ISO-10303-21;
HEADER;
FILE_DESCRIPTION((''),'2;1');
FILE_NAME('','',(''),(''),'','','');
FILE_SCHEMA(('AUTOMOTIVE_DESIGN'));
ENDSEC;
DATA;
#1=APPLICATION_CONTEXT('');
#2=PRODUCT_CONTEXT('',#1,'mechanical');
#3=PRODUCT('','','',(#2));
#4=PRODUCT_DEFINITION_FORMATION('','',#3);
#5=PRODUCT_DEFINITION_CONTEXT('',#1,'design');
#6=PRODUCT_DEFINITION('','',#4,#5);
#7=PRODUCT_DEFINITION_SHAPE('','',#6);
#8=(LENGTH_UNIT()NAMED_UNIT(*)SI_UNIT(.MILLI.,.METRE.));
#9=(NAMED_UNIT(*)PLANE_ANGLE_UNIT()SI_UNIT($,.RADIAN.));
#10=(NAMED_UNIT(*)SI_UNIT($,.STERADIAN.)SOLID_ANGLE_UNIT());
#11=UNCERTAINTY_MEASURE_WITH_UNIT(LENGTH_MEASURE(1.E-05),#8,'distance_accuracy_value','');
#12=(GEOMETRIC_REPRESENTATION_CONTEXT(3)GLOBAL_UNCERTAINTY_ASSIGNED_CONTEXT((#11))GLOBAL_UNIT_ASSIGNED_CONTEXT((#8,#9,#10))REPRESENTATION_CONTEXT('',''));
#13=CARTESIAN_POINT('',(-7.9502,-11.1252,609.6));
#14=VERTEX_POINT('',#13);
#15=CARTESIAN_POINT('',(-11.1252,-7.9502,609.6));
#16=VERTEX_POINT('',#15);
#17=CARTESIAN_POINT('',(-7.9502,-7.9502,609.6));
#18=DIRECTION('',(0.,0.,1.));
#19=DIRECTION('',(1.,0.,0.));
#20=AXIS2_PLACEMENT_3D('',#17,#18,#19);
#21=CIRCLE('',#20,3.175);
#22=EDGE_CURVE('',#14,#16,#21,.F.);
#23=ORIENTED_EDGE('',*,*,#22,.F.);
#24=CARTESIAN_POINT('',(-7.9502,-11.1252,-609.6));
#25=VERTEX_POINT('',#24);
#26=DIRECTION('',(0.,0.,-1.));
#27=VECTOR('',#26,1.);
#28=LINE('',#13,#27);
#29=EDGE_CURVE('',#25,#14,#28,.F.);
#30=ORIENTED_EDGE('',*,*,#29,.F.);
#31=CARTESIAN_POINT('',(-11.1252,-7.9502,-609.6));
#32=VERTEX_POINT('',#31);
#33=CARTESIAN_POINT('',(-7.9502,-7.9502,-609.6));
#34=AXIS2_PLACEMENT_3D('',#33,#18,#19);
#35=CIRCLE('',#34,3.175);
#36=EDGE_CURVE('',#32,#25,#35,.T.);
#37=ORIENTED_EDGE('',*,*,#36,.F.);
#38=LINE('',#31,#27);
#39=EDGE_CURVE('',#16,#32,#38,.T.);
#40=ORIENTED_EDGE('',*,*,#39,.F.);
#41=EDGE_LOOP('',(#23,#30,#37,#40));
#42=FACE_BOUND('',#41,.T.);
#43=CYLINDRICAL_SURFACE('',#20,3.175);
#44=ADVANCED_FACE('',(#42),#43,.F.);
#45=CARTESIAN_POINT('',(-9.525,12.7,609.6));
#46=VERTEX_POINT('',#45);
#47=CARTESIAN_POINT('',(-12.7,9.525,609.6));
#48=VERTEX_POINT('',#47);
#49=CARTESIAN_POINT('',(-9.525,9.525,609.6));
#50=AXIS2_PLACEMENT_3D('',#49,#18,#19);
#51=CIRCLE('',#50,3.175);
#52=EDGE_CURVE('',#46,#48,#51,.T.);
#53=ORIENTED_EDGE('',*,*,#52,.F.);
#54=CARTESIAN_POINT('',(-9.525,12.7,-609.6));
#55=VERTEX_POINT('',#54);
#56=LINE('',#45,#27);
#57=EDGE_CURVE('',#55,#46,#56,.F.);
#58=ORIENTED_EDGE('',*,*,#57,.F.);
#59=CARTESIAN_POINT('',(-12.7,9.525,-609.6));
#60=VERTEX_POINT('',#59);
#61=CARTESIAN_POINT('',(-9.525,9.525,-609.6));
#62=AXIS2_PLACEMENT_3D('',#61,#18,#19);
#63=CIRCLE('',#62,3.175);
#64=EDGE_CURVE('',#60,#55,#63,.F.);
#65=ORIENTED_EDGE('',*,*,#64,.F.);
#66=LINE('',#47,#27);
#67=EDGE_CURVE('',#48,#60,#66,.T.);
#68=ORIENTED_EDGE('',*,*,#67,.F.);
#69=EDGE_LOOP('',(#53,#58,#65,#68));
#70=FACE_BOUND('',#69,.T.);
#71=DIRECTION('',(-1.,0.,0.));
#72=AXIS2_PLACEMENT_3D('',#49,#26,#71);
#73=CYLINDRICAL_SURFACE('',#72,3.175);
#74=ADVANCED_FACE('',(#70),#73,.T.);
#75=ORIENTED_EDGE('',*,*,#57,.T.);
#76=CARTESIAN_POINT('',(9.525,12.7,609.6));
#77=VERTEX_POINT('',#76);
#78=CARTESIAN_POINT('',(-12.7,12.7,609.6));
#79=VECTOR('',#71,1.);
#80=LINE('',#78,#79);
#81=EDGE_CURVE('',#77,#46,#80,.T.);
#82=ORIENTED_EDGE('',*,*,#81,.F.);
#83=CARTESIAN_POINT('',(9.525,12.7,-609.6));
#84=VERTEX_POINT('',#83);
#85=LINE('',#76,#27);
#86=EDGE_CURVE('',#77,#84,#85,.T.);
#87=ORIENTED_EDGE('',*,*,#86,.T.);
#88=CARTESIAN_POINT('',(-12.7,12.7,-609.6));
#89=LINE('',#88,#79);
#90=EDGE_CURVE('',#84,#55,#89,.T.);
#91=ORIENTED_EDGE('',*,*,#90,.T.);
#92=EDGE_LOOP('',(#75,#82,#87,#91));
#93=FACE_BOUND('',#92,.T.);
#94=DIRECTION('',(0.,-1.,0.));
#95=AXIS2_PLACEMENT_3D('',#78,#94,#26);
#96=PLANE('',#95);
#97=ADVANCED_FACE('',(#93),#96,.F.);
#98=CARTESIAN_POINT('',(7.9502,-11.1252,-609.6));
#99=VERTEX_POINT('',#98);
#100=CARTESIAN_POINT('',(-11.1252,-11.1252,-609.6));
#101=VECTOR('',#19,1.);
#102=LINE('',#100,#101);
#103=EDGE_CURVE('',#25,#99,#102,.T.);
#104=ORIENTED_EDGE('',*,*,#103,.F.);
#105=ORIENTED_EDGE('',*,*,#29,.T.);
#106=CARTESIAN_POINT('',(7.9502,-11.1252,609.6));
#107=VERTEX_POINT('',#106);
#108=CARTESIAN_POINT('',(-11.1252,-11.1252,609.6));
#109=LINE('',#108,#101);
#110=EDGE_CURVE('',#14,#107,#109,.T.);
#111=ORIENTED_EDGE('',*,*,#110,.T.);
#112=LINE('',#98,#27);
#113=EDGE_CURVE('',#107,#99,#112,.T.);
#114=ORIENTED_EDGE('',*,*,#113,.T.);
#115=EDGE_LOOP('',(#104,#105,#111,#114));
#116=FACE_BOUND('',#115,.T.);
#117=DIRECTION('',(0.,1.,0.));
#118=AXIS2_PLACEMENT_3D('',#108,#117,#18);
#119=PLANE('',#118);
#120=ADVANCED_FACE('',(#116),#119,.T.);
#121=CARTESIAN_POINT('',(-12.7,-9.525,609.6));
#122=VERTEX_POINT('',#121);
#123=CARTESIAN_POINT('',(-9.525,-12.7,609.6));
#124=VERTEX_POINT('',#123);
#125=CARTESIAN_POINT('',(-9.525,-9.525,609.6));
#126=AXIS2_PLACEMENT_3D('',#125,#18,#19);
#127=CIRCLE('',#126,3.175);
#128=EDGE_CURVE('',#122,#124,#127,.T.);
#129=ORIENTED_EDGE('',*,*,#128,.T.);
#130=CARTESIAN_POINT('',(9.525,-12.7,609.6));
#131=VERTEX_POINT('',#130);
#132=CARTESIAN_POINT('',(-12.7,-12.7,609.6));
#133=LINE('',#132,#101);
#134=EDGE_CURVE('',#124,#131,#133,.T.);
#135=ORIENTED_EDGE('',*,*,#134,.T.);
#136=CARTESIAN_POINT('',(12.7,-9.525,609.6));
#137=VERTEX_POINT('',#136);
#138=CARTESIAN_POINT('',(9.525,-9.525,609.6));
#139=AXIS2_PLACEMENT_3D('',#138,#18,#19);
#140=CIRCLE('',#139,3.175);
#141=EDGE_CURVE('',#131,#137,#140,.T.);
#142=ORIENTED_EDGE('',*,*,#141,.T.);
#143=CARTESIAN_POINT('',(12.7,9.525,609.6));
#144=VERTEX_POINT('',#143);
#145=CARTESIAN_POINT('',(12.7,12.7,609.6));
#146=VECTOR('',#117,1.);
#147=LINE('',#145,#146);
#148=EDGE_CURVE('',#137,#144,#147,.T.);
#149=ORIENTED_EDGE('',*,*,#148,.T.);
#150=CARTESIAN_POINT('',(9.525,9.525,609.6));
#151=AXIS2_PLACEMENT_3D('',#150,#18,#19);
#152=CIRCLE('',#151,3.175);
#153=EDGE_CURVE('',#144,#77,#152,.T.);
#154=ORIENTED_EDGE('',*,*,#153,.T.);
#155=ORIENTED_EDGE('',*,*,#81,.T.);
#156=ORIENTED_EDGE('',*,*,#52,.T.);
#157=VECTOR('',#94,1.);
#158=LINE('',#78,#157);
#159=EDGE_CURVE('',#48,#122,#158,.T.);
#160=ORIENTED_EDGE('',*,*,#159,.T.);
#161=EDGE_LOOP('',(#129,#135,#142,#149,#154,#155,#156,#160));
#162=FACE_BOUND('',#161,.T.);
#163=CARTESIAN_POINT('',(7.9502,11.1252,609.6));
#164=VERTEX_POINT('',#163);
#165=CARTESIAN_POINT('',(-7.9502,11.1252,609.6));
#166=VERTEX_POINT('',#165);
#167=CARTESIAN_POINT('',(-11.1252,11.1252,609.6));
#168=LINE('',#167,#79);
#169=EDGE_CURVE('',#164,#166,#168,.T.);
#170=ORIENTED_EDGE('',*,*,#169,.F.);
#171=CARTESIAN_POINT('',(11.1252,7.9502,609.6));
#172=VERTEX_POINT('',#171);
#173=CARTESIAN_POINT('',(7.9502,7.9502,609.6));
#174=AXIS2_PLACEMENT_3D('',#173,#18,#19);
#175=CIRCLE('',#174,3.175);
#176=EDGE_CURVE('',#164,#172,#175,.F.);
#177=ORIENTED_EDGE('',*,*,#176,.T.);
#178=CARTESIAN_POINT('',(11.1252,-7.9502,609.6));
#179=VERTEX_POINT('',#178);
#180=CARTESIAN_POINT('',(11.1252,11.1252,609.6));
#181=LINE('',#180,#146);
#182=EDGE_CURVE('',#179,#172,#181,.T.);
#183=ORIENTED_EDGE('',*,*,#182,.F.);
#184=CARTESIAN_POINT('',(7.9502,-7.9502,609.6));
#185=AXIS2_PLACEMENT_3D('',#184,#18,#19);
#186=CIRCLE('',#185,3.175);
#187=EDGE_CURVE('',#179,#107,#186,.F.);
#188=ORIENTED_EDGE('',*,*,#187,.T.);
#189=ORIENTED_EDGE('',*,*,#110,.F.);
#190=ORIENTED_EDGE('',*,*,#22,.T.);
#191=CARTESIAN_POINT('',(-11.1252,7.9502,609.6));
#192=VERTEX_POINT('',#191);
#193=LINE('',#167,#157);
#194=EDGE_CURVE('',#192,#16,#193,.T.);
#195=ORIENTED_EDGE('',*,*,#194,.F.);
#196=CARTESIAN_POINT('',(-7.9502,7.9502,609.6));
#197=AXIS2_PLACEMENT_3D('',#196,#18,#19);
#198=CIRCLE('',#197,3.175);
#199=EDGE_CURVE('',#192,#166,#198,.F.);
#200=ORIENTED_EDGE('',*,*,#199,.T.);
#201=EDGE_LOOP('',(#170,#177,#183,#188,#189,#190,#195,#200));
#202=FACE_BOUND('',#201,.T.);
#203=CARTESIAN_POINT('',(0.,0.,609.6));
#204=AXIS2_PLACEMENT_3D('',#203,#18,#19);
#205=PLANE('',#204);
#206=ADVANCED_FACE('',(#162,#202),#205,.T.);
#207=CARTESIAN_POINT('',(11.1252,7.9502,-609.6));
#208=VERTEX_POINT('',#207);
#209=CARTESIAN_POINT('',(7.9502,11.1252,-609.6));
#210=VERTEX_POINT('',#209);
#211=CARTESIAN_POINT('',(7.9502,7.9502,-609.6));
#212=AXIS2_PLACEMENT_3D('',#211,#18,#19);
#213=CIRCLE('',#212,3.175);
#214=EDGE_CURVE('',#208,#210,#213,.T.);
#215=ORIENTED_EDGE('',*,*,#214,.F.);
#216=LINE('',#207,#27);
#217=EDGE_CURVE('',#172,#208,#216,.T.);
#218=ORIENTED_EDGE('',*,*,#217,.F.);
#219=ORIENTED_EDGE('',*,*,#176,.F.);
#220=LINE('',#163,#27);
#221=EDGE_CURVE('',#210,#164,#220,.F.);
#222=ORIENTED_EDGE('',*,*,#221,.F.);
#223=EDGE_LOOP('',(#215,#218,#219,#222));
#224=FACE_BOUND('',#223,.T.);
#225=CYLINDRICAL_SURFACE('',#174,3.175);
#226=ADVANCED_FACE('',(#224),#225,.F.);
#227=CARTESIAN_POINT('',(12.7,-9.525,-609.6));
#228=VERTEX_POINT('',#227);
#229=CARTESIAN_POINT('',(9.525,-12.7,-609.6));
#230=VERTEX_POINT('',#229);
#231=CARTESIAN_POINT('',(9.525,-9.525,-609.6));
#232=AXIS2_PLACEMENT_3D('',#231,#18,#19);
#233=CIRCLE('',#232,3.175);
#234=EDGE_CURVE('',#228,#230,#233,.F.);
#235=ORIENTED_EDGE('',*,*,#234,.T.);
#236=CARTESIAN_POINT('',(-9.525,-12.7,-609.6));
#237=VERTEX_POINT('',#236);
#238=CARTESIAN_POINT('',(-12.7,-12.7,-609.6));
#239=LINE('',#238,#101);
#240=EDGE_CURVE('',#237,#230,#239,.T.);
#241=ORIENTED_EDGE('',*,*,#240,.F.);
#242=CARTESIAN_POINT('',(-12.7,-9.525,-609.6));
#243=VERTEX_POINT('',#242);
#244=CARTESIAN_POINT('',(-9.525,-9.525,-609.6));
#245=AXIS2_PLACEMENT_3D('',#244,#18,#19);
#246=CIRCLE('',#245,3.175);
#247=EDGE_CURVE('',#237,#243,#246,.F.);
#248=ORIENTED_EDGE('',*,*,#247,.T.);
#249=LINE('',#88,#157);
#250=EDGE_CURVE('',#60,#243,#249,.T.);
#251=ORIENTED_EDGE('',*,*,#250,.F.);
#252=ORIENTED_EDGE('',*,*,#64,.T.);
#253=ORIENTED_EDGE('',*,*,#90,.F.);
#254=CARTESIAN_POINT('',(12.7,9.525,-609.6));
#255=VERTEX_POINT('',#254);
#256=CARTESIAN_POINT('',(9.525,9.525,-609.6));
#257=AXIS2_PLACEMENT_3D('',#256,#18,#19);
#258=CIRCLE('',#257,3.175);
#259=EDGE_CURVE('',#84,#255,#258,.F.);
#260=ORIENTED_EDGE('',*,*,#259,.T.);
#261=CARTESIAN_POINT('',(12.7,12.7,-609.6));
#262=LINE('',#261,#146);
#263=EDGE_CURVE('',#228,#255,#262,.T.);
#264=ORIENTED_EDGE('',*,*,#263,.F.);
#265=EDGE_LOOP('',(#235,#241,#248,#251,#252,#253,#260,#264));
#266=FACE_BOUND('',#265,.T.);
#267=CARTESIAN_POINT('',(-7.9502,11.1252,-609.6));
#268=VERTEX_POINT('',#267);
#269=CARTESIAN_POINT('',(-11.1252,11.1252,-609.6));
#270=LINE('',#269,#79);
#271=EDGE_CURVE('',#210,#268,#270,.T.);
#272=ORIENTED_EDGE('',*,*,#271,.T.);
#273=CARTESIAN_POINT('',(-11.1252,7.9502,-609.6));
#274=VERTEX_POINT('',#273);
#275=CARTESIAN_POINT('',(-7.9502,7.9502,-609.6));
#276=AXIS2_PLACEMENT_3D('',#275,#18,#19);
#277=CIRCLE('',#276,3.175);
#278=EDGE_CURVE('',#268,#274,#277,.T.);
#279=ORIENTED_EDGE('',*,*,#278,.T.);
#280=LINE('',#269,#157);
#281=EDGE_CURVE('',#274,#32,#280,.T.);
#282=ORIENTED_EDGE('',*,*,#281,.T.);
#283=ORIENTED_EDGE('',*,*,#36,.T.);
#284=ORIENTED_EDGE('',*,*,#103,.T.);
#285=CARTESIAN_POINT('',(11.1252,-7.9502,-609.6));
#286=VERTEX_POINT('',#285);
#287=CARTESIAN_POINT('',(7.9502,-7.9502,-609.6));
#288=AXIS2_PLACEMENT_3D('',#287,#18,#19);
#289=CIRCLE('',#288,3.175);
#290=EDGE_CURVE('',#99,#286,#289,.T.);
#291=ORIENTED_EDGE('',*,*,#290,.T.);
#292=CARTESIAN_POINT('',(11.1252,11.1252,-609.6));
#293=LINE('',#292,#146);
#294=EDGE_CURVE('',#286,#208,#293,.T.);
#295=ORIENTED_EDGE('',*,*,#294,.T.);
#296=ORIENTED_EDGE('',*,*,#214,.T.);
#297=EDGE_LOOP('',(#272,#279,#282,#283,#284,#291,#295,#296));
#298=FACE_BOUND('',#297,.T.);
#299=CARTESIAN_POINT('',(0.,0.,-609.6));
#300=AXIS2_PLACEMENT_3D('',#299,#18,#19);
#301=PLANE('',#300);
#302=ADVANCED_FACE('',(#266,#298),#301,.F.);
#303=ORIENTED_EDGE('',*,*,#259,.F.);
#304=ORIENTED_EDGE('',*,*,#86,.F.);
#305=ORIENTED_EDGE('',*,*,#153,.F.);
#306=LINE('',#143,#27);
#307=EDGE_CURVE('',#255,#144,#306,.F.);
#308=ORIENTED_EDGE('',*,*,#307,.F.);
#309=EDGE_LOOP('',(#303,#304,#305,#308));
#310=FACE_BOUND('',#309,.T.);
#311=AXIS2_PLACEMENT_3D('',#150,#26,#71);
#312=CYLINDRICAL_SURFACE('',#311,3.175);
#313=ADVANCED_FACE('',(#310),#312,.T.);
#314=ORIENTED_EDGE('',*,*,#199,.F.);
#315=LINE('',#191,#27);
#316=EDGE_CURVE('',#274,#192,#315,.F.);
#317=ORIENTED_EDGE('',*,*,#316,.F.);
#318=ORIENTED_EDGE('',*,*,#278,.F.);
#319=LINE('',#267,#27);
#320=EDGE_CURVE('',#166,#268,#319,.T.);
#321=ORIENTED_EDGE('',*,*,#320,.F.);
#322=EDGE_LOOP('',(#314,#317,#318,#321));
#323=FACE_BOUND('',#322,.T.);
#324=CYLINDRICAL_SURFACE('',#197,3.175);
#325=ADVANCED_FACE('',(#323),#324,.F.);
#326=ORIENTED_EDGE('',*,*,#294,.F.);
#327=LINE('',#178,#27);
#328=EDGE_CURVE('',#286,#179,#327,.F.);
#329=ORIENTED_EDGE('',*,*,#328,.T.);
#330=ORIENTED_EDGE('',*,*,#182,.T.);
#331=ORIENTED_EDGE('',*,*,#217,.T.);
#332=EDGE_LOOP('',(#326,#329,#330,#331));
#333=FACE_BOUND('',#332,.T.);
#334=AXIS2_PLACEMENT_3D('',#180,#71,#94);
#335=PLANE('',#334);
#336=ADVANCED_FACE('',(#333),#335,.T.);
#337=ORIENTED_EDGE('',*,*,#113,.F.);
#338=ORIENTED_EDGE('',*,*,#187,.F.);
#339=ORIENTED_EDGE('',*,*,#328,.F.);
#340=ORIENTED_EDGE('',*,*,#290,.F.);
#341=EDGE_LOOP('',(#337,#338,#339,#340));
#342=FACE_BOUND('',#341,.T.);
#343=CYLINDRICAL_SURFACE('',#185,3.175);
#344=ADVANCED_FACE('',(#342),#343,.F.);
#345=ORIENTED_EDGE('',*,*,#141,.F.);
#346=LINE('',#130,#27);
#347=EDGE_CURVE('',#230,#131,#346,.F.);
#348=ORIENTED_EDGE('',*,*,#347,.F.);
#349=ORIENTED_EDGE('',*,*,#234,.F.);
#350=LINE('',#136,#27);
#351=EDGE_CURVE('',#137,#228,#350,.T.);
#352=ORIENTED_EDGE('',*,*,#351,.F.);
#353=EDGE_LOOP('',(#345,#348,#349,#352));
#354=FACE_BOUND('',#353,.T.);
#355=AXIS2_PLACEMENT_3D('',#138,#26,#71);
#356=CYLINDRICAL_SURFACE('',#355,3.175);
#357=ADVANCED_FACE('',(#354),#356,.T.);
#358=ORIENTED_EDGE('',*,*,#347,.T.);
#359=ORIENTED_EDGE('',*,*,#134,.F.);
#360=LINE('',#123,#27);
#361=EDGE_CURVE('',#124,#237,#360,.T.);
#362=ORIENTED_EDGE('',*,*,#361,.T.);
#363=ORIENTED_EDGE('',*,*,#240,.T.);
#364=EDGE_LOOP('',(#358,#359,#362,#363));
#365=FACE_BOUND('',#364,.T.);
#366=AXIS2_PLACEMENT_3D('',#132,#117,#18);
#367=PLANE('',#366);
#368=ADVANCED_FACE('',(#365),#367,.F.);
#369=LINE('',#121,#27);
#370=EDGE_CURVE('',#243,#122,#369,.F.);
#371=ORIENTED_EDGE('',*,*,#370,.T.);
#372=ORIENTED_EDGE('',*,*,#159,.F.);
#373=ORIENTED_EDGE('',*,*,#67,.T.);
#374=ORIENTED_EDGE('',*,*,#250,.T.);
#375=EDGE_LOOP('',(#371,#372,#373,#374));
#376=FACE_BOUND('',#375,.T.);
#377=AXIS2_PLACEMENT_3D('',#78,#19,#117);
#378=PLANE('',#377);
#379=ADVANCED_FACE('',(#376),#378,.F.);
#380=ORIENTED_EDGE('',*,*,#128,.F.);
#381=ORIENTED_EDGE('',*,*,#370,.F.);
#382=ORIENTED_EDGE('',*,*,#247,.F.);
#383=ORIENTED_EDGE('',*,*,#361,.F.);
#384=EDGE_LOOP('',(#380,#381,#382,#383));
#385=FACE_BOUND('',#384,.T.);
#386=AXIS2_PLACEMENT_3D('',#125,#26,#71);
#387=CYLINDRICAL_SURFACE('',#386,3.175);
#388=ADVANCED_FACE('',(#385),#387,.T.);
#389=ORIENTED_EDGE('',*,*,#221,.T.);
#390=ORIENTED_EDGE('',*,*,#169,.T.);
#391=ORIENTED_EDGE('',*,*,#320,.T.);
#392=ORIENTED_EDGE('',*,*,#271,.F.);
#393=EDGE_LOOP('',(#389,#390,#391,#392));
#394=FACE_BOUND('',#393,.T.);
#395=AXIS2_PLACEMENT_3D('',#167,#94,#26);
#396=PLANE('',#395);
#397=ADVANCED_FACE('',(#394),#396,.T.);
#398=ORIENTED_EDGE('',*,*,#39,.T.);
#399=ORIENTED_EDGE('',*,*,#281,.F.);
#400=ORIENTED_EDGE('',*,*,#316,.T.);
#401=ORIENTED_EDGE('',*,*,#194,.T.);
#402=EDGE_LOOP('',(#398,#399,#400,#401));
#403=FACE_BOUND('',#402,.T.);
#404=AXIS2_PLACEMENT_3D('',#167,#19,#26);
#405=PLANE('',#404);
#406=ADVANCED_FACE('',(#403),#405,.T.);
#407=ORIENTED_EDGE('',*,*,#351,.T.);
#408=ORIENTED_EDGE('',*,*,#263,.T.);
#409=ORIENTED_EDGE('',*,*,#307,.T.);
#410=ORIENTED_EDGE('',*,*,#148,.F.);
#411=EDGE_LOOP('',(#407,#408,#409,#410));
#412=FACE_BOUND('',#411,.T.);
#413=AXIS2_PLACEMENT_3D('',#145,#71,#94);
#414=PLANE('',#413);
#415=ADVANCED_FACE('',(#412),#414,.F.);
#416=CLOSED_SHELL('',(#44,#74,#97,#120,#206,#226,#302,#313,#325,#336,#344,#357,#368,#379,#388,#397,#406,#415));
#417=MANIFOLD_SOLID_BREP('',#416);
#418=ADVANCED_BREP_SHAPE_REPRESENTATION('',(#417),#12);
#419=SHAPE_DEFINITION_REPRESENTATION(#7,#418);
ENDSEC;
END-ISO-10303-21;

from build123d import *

# Parameters (mm, degrees)
SKETCH1_W           = 25.4
SKETCH1_H           = 25.4
SKETCH1_W_2         = 22.2504
SKETCH1_H_2         = 22.2504
BOSS_EXTRUDE1_DEPTH = 609.6
FILLET1_R           = 3.175


with BuildPart() as part:
    # Sketch1 → Boss-Extrude1 (new body, symmetric)
    with BuildSketch(Plane.XY):
        Rectangle(SKETCH1_W, SKETCH1_H)
        Rectangle(SKETCH1_W_2, SKETCH1_H_2, mode=Mode.SUBTRACT)
    extrude(amount=BOSS_EXTRUDE1_DEPTH, both=True)

    # Fillet1
    fillet1_edges = [part.edges().sort_by_distance(p)[0] for p in [
        (11.1252, -11.1252, 0),
        (11.1252, 11.1252, 0),
        (-11.1252, 11.1252, 0),
        (-11.1252, -11.1252, 0),
        (12.7, -12.7, 0),
        (-12.7, -12.7, 0),
        (-12.7, 12.7, 0),
        (12.7, 12.7, 0),
    ]]
    fillet(fillet1_edges, radius=FILLET1_R)


solid = part.part
